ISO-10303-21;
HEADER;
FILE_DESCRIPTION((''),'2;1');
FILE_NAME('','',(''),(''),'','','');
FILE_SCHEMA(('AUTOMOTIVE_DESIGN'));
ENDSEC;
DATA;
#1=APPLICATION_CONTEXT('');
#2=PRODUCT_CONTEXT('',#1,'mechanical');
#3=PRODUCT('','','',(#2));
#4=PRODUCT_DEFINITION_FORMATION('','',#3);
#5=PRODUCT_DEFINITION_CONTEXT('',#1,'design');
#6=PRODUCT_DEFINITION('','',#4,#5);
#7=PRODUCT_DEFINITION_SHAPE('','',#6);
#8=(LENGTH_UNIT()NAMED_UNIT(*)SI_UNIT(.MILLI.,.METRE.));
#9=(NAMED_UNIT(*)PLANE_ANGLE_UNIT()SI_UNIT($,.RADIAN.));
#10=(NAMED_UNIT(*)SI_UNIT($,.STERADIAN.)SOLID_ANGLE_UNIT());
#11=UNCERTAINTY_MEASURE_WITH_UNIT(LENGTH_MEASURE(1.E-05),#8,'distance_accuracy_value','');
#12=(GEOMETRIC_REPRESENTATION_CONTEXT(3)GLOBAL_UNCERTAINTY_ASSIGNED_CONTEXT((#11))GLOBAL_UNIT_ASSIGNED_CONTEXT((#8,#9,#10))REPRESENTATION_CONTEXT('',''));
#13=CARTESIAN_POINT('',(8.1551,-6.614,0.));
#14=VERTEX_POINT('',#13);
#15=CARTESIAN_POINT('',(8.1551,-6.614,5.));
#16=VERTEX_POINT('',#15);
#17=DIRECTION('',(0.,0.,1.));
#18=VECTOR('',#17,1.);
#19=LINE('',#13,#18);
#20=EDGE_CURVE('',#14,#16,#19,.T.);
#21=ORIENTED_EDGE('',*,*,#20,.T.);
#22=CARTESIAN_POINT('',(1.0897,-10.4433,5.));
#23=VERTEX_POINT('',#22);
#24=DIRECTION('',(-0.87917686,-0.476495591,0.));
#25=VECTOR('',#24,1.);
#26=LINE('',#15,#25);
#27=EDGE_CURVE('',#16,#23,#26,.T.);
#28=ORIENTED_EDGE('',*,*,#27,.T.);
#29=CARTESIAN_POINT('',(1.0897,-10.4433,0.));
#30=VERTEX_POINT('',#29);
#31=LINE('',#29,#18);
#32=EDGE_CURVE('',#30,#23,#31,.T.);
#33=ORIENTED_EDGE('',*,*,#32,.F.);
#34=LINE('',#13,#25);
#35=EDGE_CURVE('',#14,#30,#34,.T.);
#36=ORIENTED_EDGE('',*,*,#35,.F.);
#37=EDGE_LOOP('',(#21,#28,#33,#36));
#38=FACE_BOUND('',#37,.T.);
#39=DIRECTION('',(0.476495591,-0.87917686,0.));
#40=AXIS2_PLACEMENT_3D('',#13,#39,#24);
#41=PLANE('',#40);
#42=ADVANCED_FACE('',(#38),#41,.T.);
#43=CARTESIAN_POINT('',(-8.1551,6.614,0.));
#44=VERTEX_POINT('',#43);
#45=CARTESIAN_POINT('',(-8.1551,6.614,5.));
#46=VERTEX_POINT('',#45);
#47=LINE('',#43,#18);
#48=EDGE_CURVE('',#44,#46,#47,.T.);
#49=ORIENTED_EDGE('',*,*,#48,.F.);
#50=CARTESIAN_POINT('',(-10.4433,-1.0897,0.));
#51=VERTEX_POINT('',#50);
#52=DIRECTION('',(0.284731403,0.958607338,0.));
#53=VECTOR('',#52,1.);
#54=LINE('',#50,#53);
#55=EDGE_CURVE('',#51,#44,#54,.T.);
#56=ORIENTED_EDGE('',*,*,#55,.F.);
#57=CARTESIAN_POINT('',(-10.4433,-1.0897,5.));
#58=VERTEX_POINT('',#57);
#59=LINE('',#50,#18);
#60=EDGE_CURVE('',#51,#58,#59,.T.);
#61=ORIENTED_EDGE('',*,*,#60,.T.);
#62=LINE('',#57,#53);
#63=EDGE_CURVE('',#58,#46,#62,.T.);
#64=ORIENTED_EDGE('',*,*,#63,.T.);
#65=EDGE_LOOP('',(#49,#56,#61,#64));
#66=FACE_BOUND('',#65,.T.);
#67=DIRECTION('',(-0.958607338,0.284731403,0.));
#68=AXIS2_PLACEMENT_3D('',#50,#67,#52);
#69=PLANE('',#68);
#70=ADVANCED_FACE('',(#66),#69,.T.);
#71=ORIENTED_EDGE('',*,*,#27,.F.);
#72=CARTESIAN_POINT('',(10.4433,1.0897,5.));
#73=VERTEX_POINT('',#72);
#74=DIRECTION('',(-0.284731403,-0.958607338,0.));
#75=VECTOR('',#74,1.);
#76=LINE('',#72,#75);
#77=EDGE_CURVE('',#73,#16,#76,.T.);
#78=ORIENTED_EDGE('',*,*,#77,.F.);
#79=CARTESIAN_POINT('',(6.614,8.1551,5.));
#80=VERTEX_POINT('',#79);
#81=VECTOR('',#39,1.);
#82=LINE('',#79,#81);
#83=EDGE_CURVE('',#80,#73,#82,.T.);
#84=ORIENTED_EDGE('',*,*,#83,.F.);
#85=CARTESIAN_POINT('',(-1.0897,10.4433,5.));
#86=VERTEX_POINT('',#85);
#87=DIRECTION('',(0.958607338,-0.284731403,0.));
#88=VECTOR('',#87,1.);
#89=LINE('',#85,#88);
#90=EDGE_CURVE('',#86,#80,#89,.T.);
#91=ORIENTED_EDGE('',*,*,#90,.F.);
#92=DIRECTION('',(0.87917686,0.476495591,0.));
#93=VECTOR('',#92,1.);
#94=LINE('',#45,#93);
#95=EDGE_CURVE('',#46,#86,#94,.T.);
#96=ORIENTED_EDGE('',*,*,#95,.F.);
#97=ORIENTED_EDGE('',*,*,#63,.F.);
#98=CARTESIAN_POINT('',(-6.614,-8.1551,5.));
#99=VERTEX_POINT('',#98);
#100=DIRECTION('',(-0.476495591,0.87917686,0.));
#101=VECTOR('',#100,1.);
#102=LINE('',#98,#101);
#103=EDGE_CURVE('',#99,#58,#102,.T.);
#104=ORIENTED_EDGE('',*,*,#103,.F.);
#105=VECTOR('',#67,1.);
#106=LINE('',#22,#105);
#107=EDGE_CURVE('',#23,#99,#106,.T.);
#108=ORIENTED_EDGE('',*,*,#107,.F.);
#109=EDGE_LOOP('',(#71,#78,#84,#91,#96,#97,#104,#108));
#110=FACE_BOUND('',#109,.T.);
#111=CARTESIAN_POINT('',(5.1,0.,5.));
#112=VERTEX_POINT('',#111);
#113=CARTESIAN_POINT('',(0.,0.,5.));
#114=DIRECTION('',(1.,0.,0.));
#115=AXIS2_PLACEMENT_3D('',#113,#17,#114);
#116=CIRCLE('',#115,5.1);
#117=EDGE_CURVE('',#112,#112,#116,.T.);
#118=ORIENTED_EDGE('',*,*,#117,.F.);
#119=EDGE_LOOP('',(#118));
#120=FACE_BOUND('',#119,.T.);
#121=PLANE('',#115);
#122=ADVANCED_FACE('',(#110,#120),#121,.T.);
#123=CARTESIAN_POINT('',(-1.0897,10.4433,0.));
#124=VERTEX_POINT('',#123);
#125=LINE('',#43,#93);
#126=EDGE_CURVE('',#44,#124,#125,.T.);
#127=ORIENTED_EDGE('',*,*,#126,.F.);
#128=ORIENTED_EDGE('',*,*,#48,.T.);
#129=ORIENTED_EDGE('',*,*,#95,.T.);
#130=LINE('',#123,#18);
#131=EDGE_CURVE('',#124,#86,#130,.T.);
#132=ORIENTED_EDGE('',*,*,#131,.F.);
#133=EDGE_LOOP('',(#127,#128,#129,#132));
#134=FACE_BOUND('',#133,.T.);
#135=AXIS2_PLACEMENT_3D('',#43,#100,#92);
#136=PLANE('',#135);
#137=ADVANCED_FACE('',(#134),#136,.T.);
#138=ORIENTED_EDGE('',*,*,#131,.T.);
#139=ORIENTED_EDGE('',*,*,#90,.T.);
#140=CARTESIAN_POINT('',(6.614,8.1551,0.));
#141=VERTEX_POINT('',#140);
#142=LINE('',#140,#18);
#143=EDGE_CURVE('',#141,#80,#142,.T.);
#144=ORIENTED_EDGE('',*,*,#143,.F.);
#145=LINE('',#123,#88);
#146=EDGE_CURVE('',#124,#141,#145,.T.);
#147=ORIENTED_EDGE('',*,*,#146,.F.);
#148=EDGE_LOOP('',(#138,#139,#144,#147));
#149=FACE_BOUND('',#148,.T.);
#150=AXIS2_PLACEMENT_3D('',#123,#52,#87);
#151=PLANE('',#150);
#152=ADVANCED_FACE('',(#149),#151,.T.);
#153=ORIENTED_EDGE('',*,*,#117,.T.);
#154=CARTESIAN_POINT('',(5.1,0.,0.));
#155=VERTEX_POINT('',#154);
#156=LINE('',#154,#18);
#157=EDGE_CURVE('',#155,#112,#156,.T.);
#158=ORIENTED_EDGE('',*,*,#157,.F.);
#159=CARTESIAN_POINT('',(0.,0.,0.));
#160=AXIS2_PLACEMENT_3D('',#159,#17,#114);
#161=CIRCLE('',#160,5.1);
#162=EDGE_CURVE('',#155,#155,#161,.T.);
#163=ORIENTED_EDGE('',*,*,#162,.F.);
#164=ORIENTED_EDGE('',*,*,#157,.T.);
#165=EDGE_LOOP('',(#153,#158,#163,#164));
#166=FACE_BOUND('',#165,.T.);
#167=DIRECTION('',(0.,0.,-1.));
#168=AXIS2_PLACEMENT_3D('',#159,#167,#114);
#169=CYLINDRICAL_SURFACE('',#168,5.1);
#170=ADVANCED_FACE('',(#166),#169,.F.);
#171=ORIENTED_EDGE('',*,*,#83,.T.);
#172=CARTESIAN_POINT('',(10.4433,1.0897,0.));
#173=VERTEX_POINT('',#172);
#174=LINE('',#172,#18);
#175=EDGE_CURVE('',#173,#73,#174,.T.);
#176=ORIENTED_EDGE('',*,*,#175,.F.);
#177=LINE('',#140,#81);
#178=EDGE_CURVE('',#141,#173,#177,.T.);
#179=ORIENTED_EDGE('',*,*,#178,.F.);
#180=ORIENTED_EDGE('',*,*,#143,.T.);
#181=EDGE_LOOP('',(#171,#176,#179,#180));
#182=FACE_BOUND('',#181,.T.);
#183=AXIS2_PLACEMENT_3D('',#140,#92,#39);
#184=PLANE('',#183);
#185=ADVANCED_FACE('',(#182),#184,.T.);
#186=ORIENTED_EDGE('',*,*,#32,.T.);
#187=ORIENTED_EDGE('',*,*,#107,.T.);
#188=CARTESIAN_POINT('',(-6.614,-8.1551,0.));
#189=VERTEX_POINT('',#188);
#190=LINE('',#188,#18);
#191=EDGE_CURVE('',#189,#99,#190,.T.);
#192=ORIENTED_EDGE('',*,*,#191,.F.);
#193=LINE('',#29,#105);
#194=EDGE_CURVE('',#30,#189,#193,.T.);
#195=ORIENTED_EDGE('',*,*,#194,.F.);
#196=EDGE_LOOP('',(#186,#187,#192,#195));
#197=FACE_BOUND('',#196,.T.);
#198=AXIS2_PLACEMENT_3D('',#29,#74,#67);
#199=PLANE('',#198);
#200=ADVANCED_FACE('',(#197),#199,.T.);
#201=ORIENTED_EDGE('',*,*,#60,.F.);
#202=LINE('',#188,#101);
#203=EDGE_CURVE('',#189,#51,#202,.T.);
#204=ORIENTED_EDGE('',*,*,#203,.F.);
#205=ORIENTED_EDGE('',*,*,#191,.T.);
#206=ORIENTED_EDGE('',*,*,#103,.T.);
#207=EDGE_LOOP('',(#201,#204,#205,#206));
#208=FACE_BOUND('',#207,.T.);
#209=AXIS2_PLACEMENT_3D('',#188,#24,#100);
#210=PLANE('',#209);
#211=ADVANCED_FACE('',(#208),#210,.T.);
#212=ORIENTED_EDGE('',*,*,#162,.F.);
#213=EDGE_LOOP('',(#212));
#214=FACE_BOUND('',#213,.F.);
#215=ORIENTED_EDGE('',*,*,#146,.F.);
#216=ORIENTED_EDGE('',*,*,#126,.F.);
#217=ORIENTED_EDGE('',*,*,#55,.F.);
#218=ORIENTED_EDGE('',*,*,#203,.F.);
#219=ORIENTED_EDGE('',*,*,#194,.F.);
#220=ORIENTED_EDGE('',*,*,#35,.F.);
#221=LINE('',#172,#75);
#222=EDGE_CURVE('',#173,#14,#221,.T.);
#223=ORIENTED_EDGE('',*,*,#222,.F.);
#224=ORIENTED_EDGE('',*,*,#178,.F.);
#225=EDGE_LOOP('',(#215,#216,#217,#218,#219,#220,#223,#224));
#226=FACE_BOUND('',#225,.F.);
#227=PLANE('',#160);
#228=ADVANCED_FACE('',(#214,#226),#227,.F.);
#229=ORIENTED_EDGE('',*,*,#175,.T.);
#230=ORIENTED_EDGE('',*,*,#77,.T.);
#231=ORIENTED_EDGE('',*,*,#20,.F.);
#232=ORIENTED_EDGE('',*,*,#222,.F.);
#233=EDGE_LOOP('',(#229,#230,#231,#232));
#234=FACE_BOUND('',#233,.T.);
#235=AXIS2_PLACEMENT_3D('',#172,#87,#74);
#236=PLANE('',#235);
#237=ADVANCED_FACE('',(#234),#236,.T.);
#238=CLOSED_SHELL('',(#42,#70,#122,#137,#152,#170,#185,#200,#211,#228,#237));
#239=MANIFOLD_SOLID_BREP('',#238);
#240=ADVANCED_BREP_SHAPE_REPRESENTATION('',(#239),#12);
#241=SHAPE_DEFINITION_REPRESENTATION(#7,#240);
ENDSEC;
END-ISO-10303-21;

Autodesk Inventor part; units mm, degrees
ref_plane "YZ Plane" through (0, 0, 0) normal (1, 0, 0) x (0, 1, 0)
ref_plane "XZ Plane" through (0, 0, 0) normal (0, 1, 0) x (-1, 0, 0)
ref_plane "XY Plane" through (0, 0, 0) normal (0, 0, 1) x (1, 0, 0)
sketch "Boceto1" plane through (0, 0, 0) normal (0, 0, 1) x (1, 0, 0)
  circle A0 centre (0, 0) radius 10.5
  line L0 (8.1551, -6.614) -> (1.0897, -10.4433)
  line L1 (1.0897, -10.4433) -> (-6.614, -8.1551)
  line L2 (-6.614, -8.1551) -> (-10.4433, -1.0897)
  line L3 (-10.4433, -1.0897) -> (-8.1551, 6.614)
  line L4 (-8.1551, 6.614) -> (-1.0897, 10.4433)
  line L5 (-1.0897, 10.4433) -> (6.614, 8.1551)
  line L6 (6.614, 8.1551) -> (10.4433, 1.0897)
  line L7 (10.4433, 1.0897) -> (8.1551, -6.614)
  circle A1 centre (0, 0) radius 5.1
  dimension "d1" = 21
  dimension "d2" = 10.2
extrude "Extrusión1" add sketch "Boceto1" along normal blind 5 contours L7 L0 L1 L2 L3 L4 L5 L6
properties part number "TuercaLlanta"
